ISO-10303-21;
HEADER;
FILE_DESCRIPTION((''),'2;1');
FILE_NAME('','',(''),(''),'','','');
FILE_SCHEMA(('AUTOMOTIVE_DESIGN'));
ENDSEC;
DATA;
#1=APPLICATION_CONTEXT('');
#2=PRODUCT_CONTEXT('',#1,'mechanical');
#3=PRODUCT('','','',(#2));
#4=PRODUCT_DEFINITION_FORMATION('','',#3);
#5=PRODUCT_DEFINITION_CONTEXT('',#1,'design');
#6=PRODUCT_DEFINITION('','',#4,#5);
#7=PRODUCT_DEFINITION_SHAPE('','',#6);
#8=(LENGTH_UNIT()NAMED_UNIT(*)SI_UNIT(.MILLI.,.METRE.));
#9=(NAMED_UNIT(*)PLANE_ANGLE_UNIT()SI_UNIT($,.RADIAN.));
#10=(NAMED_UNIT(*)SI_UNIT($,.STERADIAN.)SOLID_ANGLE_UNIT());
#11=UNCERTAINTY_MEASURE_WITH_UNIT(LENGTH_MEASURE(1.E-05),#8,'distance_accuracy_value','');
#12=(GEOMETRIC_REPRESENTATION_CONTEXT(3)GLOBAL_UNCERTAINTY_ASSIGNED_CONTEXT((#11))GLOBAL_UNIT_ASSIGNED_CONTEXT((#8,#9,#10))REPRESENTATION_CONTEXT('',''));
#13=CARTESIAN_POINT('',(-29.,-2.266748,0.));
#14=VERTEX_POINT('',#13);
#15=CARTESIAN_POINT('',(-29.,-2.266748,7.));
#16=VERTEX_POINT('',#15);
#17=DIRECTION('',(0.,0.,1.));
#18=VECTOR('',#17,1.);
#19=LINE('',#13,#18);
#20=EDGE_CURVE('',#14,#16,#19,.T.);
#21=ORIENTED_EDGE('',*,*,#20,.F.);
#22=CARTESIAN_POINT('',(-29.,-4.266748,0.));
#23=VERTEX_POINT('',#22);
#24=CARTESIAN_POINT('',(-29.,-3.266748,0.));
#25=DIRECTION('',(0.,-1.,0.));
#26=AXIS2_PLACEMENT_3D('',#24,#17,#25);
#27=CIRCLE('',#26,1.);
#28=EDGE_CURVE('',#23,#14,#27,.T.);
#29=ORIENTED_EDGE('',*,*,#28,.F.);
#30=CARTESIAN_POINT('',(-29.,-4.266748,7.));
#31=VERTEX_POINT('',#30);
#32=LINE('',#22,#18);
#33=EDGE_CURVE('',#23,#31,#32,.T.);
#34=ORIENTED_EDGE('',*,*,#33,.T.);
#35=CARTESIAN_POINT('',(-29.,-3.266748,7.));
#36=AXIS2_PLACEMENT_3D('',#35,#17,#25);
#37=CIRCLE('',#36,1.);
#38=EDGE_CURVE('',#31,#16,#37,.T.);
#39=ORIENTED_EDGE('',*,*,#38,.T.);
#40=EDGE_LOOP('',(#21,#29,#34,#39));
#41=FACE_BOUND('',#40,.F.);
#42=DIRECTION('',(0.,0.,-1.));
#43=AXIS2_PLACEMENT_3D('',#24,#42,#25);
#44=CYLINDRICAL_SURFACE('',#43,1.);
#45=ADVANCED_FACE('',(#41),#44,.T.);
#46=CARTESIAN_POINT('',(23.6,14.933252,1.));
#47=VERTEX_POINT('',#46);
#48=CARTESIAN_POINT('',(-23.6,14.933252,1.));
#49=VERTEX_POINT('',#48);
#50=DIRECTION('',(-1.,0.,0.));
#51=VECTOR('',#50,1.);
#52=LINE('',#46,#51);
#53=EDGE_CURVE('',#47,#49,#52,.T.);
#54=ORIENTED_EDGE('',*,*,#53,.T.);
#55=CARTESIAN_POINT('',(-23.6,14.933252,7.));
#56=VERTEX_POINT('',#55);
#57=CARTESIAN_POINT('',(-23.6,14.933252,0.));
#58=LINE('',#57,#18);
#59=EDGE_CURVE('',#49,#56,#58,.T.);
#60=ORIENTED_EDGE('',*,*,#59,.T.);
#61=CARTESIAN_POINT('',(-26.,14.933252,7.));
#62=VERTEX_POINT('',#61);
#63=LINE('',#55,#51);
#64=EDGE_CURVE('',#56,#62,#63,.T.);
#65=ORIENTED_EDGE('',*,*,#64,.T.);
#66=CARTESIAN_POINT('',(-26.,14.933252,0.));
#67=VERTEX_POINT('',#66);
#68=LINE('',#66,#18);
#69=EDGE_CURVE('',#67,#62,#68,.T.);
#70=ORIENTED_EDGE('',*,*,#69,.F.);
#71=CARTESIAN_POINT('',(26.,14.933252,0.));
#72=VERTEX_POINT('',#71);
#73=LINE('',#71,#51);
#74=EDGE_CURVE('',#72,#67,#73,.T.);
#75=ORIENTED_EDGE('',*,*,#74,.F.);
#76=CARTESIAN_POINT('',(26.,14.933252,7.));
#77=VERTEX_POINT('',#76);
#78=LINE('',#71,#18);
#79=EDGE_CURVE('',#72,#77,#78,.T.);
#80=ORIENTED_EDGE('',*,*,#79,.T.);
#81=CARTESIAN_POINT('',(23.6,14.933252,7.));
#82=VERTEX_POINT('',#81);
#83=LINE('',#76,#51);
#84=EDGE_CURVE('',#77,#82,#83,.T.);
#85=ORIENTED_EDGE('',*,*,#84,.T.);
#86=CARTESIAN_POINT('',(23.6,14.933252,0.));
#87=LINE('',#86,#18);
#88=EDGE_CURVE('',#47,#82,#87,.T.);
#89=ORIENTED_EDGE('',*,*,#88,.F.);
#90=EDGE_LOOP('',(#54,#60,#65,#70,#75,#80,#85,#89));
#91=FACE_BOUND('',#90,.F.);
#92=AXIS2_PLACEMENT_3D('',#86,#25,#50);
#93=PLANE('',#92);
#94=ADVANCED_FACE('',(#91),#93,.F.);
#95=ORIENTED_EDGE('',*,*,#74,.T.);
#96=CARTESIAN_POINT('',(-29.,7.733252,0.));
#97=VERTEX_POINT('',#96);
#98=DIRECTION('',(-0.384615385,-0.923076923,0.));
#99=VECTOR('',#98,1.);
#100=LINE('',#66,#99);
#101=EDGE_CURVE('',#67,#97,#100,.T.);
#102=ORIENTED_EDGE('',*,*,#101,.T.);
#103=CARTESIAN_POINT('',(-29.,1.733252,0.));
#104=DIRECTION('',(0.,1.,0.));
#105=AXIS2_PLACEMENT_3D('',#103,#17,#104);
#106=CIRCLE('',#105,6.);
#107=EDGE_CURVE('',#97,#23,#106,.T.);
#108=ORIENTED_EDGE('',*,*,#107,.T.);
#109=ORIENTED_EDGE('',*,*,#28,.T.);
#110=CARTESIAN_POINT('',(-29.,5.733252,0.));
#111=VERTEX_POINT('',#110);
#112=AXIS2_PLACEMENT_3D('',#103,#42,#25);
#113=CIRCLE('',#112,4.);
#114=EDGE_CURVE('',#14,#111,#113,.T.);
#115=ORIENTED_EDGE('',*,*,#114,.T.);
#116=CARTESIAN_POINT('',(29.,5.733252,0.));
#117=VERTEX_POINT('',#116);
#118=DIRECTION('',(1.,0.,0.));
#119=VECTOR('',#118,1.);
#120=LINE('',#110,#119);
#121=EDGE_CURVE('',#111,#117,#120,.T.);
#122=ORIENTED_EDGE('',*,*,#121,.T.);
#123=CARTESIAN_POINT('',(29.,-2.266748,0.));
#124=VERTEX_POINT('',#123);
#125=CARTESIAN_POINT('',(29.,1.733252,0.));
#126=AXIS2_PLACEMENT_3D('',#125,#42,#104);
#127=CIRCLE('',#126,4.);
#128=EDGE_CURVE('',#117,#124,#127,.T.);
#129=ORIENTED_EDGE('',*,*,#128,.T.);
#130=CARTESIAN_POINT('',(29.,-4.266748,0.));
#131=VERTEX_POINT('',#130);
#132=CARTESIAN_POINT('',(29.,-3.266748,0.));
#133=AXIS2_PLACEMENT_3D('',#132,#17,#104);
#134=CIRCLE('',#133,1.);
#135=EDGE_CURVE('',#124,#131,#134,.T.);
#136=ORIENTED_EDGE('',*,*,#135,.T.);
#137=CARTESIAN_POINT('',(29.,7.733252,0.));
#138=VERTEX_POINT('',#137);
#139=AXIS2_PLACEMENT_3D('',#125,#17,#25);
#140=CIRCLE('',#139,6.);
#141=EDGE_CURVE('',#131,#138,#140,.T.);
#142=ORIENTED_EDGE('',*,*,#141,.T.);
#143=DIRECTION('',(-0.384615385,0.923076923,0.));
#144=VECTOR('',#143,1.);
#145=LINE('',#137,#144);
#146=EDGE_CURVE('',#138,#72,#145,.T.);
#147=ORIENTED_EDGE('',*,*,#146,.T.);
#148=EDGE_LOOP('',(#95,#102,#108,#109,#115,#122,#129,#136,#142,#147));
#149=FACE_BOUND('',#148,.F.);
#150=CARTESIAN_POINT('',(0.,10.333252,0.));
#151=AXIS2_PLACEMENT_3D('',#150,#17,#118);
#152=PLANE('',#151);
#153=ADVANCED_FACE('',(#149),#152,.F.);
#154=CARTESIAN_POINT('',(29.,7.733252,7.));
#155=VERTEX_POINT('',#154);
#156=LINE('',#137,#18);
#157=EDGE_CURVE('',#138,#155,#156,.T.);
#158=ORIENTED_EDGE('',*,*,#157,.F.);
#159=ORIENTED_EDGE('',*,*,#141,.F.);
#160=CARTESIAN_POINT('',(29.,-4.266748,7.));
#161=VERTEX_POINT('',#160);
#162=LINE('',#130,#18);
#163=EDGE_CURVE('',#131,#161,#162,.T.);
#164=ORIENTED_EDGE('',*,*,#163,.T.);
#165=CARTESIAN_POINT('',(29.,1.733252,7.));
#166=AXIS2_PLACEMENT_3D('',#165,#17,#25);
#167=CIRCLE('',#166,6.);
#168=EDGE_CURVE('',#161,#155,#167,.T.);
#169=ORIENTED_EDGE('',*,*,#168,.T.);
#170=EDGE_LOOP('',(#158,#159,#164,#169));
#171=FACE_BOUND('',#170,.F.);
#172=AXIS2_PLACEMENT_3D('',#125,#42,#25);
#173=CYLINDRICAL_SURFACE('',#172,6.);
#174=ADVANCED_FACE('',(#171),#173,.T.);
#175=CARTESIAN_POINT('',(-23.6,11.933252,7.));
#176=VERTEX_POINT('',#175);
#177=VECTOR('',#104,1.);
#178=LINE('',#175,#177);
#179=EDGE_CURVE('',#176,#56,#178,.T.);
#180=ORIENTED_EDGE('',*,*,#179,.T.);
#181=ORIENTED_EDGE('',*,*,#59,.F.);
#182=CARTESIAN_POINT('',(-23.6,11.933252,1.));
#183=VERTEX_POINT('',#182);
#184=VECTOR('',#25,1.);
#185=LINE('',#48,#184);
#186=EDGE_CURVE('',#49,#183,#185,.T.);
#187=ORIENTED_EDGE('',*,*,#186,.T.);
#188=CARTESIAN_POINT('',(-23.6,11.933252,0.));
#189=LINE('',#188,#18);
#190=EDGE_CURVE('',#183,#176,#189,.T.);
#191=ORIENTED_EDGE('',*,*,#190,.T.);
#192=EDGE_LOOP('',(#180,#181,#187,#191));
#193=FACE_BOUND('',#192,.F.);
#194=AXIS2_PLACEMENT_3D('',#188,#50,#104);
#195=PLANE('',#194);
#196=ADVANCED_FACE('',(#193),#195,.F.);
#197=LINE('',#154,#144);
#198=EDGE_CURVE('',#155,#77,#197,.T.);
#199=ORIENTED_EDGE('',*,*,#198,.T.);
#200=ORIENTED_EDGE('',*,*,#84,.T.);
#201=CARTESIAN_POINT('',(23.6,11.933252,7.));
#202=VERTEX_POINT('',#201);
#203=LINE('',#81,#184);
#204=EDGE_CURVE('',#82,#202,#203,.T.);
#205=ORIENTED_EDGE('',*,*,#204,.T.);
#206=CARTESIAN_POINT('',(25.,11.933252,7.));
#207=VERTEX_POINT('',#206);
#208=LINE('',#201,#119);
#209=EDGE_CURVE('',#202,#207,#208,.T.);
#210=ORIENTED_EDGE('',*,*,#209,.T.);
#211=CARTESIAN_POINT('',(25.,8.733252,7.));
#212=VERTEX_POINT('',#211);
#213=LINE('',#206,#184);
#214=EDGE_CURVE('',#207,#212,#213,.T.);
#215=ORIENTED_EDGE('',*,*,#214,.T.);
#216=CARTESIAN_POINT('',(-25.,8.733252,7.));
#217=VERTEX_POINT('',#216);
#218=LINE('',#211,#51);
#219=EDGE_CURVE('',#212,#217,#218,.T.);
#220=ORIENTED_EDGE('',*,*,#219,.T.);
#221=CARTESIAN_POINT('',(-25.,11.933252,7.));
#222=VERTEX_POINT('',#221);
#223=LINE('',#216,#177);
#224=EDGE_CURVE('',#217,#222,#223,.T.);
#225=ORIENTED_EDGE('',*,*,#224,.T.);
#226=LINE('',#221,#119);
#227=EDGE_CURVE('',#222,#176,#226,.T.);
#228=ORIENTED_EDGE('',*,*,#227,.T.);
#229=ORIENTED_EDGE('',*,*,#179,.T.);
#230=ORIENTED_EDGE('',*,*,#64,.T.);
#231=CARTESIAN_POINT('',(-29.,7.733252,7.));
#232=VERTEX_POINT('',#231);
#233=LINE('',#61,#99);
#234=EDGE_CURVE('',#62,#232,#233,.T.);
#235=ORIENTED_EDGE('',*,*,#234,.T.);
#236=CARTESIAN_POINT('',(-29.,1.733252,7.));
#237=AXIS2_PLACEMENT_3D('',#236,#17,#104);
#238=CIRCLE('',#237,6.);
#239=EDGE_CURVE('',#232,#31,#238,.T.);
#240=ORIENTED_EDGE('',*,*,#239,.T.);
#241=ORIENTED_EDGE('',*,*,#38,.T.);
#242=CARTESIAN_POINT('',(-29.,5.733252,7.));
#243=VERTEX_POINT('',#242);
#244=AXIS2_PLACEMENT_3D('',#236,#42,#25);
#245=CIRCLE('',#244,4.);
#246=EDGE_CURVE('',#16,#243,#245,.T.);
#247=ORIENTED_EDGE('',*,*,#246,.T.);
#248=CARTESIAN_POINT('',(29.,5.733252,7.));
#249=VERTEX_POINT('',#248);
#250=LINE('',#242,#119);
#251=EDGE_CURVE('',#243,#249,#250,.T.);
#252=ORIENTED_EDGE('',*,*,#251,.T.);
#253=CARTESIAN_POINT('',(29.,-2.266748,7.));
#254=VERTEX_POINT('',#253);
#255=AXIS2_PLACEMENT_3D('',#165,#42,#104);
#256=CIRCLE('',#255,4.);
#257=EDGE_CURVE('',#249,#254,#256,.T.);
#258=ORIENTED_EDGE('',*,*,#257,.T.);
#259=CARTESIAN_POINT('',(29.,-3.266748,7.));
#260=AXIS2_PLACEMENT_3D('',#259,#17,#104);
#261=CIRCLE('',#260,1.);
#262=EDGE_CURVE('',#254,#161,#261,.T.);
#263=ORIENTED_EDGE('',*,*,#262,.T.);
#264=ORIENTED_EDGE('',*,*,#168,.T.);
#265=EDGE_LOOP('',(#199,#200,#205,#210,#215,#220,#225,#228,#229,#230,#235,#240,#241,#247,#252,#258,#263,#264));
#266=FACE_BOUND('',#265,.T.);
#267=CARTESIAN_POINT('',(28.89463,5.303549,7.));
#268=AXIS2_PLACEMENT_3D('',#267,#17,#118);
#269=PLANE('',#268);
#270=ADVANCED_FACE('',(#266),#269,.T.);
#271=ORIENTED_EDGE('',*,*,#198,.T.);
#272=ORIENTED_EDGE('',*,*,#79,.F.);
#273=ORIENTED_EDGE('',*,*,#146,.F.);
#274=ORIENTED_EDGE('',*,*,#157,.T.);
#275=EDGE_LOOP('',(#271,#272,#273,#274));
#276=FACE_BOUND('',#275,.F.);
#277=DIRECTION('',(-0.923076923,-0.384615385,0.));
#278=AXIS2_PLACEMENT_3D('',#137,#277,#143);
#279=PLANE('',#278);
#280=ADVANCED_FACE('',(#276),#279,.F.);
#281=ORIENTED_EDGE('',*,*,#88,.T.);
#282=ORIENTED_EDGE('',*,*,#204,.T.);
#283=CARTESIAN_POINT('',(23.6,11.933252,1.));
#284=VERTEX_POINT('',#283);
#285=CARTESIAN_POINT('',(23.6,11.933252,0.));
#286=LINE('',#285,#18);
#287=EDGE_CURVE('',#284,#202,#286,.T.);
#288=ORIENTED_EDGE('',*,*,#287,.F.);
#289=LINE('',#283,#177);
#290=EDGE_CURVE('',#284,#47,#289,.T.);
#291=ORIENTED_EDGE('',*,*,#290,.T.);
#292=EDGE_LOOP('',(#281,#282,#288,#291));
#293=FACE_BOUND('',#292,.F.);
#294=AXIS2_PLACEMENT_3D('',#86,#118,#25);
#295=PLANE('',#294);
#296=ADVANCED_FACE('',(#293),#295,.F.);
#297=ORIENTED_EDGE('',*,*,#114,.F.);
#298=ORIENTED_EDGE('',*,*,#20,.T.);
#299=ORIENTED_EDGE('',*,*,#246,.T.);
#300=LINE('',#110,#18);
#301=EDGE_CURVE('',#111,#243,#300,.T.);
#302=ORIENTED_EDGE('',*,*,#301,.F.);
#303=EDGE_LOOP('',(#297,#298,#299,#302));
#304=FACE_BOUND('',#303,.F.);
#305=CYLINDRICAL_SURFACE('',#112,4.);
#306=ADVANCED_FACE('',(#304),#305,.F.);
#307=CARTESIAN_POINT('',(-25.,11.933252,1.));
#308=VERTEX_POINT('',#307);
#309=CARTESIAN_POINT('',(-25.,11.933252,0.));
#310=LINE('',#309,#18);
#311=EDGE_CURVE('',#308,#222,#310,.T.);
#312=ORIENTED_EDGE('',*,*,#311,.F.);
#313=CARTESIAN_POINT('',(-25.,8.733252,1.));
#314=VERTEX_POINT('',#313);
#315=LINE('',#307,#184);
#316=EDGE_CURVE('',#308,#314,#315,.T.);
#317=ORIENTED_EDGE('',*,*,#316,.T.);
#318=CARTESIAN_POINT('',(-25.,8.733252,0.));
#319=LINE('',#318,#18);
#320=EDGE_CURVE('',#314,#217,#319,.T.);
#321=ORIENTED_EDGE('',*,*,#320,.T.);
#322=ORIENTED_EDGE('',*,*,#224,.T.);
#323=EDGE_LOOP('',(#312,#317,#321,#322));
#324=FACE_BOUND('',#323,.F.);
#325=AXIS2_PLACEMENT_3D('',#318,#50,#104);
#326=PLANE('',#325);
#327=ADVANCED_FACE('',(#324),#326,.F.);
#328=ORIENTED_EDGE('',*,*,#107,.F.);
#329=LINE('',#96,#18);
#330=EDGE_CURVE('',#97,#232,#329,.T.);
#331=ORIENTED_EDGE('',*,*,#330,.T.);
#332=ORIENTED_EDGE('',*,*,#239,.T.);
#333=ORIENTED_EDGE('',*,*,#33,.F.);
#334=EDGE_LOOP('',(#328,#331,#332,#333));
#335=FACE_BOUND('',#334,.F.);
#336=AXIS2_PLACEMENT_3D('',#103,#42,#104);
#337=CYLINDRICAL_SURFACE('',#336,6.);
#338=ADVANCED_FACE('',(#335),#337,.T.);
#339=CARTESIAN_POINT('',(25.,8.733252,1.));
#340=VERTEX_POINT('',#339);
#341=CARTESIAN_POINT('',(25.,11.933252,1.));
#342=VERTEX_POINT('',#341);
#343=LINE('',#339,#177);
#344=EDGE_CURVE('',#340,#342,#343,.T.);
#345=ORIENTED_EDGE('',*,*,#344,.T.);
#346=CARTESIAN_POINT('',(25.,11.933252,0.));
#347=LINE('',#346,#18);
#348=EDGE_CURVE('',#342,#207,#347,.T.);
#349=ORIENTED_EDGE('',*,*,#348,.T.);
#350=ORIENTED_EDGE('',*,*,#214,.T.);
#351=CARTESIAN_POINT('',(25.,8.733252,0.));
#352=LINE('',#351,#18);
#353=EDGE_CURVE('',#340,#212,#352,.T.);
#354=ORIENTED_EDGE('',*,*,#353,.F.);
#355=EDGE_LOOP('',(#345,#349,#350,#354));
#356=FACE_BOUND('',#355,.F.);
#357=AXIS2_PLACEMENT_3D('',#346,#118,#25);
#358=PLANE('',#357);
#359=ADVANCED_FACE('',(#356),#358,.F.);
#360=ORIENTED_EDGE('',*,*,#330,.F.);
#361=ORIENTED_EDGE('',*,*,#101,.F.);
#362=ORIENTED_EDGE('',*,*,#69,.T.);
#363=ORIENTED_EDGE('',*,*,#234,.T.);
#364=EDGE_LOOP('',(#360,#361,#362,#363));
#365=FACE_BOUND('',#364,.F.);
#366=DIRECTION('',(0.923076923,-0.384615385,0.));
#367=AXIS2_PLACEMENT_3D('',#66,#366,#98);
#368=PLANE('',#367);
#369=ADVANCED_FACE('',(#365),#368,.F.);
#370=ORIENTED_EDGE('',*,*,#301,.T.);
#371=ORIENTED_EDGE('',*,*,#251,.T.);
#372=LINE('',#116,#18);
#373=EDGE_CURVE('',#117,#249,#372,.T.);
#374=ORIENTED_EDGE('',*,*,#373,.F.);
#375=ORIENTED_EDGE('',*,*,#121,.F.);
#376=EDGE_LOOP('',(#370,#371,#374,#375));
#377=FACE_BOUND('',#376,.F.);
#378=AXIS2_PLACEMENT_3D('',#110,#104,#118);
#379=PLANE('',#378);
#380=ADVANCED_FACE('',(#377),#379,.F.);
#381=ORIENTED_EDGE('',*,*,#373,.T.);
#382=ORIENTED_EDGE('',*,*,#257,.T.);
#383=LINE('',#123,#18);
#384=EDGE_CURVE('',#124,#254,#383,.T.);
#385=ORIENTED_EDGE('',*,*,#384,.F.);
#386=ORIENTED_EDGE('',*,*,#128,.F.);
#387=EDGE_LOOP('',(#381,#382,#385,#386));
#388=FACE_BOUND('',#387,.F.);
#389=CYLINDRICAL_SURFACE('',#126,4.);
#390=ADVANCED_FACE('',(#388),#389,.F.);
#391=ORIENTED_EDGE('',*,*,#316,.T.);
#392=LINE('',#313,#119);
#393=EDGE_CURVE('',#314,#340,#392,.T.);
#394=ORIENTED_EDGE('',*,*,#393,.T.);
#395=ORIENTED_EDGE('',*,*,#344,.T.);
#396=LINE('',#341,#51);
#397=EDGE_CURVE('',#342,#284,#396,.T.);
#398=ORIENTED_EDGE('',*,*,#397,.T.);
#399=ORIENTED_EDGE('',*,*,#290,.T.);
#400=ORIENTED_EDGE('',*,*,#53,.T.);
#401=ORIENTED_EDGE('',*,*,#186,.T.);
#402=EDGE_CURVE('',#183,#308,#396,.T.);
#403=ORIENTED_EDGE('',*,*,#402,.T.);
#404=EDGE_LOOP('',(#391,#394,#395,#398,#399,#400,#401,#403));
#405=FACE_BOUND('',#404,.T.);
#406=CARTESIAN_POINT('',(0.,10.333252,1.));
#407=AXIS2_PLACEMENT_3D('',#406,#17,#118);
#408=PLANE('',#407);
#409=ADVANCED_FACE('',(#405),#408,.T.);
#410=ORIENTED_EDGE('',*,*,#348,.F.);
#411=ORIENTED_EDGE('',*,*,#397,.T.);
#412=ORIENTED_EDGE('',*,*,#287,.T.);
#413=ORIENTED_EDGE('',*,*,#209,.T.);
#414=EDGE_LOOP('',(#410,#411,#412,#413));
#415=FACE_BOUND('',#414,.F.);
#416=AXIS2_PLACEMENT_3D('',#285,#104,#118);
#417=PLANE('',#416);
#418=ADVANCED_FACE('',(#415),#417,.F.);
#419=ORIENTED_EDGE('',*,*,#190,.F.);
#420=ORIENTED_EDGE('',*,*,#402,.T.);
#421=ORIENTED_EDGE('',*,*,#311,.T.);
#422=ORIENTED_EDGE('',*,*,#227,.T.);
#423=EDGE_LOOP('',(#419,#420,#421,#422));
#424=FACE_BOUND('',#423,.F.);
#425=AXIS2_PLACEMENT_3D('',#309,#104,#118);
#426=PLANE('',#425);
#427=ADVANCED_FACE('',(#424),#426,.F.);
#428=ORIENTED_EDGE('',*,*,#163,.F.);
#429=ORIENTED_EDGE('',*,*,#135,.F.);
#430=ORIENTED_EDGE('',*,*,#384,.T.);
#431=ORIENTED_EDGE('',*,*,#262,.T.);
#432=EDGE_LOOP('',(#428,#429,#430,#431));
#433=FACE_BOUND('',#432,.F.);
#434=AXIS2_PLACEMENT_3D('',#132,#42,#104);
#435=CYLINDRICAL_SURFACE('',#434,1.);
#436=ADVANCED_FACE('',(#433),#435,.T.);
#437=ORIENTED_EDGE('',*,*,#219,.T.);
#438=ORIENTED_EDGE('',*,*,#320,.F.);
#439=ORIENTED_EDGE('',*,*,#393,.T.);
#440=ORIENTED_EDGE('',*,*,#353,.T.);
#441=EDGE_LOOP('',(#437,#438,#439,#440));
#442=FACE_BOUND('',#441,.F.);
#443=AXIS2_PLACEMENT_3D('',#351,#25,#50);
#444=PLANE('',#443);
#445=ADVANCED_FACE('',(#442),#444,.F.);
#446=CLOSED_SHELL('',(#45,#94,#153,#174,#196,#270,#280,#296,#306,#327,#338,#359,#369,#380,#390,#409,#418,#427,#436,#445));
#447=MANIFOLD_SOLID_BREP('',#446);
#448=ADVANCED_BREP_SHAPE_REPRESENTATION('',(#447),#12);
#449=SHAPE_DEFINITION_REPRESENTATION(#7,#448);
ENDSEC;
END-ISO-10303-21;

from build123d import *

# Parameters (mm, degrees)
F1_DEPTH = 7
F2_DEPTH = 1


with BuildPart() as f1:
    # F0 (on Top) → F1 (new body)
    with BuildSketch(Plane.XY):
        with BuildLine():
            Line((23.6, 8.733252), (23.6, 5.733252))
            Line((23.6, 5.733252), (29, 5.733252))
            ThreePointArc((29, 5.733252), (33, 1.733252), (29, -2.266748))
            ThreePointArc((29, -2.266748), (28, -3.266748), (29, -4.266748))
            ThreePointArc((29, -4.266748), (35, 1.733252), (29, 7.733252))
            Line((29, 7.733252), (26, 14.933252))
            Line((26, 14.933252), (23.6, 14.933252))
            Line((23.6, 14.933252), (23.6, 11.933252))
            Line((23.6, 11.933252), (25, 11.933252))
            Line((25, 11.933252), (25, 8.733252))
            Line((25, 8.733252), (23.6, 8.733252))
        make_face()
        with BuildLine():
            Line((-29, 5.733252), (-23.6, 5.733252))
            Line((-23.6, 5.733252), (-23.6, 8.733252))
            Line((-23.6, 8.733252), (-25, 8.733252))
            Line((-25, 8.733252), (-25, 11.933252))
            Line((-25, 11.933252), (-23.6, 11.933252))
            Line((-23.6, 11.933252), (-23.6, 14.933252))
            Line((-23.6, 14.933252), (-26, 14.933252))
            Line((-26, 14.933252), (-29, 7.733252))
            ThreePointArc((-29, 7.733252), (-35, 1.733252), (-29, -4.266748))
            ThreePointArc((-29, -4.266748), (-28, -3.266748), (-29, -2.266748))
            ThreePointArc((-29, -2.266748), (-33, 1.733252), (-29, 5.733252))
        make_face()
        Polygon((-23.6, 5.733252), (0, 5.733252), (23.6, 5.733252), (23.6, 8.733252), (0, 8.733252), (-23.6, 8.733252), align=None)
    extrude(amount=F1_DEPTH)

    # F0 (on Top) → F2 (join)
    with BuildSketch(Plane.XY):
        Polygon((-25, 8.733252), (-23.6, 8.733252), (0, 8.733252), (23.6, 8.733252), (25, 8.733252), (25, 11.933252), (23.6, 11.933252), (0, 11.933252), (-23.6, 11.933252), (-25, 11.933252), align=None)
        Polygon((-23.6, 14.933252), (-23.6, 11.933252), (0, 11.933252), (23.6, 11.933252), (23.6, 14.933252), (0, 14.933252), align=None)
    extrude(amount=F2_DEPTH)


solid = f1.part
